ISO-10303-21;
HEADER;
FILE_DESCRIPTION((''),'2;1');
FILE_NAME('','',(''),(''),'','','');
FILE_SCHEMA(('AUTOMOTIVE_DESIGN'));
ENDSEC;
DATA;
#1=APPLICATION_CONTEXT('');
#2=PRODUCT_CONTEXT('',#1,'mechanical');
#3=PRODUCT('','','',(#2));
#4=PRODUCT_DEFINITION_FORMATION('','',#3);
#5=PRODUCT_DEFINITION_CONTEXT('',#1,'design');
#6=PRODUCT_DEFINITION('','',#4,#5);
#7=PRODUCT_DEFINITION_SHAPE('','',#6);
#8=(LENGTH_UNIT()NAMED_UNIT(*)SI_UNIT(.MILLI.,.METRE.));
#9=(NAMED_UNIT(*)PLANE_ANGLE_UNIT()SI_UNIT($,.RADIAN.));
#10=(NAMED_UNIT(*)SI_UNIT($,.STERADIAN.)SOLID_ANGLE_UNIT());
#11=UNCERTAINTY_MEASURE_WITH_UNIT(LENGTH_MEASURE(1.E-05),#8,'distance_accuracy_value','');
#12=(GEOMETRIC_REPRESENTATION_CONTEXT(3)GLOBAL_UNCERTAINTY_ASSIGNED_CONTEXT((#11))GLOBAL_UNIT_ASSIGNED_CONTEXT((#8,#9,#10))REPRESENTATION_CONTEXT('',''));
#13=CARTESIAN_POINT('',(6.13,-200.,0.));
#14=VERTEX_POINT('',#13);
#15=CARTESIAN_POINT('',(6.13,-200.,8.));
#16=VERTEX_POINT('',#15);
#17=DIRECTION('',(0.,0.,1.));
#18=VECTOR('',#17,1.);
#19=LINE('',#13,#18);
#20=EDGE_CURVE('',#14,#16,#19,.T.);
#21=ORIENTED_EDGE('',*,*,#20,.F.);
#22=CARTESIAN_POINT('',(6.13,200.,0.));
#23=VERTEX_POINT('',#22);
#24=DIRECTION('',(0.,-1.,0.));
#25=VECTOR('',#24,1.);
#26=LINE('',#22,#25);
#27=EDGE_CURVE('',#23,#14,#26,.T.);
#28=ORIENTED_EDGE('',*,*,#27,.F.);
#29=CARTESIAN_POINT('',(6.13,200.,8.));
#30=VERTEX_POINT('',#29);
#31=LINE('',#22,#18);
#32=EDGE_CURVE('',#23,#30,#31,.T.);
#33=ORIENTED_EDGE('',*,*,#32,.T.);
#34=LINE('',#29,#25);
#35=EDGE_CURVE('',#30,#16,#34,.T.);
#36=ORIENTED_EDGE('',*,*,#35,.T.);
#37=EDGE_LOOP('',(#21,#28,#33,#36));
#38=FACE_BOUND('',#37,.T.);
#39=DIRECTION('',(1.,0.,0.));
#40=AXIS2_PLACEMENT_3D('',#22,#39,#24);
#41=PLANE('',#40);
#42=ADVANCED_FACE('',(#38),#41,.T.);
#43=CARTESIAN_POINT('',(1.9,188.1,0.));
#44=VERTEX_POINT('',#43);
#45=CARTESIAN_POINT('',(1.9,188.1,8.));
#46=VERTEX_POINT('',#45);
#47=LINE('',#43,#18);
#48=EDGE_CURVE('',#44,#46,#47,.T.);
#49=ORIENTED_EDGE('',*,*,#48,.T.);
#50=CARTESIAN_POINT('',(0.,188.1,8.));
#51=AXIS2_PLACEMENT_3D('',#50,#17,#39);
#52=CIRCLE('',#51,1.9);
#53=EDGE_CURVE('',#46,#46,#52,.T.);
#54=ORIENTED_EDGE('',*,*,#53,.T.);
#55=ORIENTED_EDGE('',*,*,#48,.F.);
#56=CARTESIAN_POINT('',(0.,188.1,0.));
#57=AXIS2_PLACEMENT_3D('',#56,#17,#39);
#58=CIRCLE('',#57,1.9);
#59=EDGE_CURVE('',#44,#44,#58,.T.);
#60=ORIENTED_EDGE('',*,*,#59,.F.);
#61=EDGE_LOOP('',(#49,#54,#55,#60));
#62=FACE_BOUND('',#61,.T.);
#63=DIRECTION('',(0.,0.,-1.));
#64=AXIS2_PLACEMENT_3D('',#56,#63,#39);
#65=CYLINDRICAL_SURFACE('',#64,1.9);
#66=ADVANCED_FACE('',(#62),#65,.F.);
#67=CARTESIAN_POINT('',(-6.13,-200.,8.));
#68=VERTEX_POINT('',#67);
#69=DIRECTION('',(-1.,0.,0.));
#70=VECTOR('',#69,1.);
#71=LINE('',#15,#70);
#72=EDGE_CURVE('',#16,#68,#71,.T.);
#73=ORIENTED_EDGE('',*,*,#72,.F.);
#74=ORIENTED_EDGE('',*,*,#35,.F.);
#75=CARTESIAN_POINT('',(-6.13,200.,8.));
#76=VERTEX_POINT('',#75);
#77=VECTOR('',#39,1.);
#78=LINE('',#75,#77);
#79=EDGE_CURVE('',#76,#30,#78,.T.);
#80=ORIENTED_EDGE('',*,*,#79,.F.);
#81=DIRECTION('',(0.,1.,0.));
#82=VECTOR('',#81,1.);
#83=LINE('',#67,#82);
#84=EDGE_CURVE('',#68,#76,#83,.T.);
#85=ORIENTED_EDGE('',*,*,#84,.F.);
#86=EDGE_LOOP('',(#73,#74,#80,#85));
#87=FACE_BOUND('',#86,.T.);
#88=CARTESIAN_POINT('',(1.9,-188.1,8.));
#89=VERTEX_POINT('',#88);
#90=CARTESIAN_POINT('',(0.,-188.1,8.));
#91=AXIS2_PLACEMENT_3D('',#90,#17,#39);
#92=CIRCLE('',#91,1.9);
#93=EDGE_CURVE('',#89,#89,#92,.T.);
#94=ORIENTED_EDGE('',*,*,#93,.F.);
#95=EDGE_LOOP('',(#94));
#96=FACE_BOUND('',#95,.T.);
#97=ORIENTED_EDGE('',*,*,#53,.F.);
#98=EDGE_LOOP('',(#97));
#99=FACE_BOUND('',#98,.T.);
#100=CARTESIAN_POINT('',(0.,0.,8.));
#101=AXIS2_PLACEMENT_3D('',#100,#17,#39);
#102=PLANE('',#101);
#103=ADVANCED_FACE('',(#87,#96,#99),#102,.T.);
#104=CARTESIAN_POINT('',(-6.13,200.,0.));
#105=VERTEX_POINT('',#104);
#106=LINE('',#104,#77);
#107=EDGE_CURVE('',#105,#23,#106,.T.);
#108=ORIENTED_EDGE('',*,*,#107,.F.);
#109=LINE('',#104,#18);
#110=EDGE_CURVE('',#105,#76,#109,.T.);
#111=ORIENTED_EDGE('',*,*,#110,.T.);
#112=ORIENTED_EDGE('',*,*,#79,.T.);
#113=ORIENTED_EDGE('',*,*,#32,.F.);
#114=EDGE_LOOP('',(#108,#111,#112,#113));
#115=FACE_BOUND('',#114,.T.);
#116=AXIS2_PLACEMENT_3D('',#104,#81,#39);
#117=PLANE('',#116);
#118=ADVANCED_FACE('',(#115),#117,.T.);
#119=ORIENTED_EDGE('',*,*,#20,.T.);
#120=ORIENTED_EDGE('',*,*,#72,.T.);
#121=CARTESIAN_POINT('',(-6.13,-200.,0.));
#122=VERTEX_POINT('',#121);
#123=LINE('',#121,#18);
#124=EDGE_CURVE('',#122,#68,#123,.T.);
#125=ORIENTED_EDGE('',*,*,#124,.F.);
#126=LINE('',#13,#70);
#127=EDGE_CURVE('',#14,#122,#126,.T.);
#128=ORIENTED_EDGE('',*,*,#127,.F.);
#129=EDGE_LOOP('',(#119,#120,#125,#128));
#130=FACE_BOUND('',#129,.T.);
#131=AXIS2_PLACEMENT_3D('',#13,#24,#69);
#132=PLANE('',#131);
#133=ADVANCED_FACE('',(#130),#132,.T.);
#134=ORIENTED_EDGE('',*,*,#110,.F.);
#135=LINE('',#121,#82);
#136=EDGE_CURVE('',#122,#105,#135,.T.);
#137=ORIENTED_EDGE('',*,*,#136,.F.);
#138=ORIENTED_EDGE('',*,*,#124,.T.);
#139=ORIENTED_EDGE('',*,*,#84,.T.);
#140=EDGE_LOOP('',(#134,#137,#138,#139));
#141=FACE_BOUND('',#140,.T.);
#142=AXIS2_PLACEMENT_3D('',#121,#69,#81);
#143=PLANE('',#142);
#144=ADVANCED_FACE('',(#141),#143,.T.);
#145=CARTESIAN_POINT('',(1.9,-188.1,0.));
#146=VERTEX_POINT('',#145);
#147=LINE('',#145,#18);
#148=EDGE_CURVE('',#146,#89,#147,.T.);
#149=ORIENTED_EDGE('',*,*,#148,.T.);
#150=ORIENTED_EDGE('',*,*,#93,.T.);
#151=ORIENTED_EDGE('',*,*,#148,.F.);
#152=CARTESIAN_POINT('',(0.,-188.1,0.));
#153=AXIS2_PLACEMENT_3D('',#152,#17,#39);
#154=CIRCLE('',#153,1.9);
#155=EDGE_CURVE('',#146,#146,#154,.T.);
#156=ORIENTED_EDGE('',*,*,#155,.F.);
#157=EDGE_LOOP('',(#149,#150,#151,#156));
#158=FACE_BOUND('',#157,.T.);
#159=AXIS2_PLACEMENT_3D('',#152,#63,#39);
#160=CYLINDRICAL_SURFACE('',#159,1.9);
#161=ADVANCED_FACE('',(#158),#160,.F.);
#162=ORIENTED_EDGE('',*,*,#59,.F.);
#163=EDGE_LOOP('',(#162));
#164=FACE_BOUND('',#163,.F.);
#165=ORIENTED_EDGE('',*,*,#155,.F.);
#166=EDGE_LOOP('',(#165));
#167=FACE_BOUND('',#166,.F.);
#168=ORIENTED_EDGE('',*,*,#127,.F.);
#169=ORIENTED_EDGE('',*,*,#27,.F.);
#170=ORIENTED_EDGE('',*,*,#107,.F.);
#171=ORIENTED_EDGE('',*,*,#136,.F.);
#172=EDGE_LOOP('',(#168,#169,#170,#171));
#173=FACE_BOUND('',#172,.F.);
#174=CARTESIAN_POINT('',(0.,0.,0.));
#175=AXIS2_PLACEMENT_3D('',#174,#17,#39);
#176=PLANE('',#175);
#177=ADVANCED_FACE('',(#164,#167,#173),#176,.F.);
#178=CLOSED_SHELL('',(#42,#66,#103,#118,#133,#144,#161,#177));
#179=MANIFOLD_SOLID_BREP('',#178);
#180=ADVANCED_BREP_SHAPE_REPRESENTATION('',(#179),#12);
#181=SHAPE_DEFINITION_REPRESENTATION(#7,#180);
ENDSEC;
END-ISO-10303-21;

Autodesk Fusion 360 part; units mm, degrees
sketch "Sketch1" plane through (0, 0, 0) normal (0, 0, 1) x (1, 0, 0)
  line L0 (-6.13, 200) -> (6.13, 200)
  line L1 (6.13, 200) -> (6.13, -200)
  line L2 (6.13, -200) -> (-6.13, -200)
  line L3 (-6.13, -200) -> (-6.13, 200)
  circle A0 centre (0, 188.1) radius 1.9
  line L4 (-6.13, 0) -> (6.13, 0) construction
  circle A1 centre (0, -188.1) radius 1.9
  point P0 (0, 200)
  point P1 (-6.13, 0)
  dimension "d1" = 400
  dimension "d2" = 12.26
  dimension "d3" = 3.8
  dimension "d4" = 11.9
extrude "Extrude1" add sketch "Sketch1" along normal blind 8
